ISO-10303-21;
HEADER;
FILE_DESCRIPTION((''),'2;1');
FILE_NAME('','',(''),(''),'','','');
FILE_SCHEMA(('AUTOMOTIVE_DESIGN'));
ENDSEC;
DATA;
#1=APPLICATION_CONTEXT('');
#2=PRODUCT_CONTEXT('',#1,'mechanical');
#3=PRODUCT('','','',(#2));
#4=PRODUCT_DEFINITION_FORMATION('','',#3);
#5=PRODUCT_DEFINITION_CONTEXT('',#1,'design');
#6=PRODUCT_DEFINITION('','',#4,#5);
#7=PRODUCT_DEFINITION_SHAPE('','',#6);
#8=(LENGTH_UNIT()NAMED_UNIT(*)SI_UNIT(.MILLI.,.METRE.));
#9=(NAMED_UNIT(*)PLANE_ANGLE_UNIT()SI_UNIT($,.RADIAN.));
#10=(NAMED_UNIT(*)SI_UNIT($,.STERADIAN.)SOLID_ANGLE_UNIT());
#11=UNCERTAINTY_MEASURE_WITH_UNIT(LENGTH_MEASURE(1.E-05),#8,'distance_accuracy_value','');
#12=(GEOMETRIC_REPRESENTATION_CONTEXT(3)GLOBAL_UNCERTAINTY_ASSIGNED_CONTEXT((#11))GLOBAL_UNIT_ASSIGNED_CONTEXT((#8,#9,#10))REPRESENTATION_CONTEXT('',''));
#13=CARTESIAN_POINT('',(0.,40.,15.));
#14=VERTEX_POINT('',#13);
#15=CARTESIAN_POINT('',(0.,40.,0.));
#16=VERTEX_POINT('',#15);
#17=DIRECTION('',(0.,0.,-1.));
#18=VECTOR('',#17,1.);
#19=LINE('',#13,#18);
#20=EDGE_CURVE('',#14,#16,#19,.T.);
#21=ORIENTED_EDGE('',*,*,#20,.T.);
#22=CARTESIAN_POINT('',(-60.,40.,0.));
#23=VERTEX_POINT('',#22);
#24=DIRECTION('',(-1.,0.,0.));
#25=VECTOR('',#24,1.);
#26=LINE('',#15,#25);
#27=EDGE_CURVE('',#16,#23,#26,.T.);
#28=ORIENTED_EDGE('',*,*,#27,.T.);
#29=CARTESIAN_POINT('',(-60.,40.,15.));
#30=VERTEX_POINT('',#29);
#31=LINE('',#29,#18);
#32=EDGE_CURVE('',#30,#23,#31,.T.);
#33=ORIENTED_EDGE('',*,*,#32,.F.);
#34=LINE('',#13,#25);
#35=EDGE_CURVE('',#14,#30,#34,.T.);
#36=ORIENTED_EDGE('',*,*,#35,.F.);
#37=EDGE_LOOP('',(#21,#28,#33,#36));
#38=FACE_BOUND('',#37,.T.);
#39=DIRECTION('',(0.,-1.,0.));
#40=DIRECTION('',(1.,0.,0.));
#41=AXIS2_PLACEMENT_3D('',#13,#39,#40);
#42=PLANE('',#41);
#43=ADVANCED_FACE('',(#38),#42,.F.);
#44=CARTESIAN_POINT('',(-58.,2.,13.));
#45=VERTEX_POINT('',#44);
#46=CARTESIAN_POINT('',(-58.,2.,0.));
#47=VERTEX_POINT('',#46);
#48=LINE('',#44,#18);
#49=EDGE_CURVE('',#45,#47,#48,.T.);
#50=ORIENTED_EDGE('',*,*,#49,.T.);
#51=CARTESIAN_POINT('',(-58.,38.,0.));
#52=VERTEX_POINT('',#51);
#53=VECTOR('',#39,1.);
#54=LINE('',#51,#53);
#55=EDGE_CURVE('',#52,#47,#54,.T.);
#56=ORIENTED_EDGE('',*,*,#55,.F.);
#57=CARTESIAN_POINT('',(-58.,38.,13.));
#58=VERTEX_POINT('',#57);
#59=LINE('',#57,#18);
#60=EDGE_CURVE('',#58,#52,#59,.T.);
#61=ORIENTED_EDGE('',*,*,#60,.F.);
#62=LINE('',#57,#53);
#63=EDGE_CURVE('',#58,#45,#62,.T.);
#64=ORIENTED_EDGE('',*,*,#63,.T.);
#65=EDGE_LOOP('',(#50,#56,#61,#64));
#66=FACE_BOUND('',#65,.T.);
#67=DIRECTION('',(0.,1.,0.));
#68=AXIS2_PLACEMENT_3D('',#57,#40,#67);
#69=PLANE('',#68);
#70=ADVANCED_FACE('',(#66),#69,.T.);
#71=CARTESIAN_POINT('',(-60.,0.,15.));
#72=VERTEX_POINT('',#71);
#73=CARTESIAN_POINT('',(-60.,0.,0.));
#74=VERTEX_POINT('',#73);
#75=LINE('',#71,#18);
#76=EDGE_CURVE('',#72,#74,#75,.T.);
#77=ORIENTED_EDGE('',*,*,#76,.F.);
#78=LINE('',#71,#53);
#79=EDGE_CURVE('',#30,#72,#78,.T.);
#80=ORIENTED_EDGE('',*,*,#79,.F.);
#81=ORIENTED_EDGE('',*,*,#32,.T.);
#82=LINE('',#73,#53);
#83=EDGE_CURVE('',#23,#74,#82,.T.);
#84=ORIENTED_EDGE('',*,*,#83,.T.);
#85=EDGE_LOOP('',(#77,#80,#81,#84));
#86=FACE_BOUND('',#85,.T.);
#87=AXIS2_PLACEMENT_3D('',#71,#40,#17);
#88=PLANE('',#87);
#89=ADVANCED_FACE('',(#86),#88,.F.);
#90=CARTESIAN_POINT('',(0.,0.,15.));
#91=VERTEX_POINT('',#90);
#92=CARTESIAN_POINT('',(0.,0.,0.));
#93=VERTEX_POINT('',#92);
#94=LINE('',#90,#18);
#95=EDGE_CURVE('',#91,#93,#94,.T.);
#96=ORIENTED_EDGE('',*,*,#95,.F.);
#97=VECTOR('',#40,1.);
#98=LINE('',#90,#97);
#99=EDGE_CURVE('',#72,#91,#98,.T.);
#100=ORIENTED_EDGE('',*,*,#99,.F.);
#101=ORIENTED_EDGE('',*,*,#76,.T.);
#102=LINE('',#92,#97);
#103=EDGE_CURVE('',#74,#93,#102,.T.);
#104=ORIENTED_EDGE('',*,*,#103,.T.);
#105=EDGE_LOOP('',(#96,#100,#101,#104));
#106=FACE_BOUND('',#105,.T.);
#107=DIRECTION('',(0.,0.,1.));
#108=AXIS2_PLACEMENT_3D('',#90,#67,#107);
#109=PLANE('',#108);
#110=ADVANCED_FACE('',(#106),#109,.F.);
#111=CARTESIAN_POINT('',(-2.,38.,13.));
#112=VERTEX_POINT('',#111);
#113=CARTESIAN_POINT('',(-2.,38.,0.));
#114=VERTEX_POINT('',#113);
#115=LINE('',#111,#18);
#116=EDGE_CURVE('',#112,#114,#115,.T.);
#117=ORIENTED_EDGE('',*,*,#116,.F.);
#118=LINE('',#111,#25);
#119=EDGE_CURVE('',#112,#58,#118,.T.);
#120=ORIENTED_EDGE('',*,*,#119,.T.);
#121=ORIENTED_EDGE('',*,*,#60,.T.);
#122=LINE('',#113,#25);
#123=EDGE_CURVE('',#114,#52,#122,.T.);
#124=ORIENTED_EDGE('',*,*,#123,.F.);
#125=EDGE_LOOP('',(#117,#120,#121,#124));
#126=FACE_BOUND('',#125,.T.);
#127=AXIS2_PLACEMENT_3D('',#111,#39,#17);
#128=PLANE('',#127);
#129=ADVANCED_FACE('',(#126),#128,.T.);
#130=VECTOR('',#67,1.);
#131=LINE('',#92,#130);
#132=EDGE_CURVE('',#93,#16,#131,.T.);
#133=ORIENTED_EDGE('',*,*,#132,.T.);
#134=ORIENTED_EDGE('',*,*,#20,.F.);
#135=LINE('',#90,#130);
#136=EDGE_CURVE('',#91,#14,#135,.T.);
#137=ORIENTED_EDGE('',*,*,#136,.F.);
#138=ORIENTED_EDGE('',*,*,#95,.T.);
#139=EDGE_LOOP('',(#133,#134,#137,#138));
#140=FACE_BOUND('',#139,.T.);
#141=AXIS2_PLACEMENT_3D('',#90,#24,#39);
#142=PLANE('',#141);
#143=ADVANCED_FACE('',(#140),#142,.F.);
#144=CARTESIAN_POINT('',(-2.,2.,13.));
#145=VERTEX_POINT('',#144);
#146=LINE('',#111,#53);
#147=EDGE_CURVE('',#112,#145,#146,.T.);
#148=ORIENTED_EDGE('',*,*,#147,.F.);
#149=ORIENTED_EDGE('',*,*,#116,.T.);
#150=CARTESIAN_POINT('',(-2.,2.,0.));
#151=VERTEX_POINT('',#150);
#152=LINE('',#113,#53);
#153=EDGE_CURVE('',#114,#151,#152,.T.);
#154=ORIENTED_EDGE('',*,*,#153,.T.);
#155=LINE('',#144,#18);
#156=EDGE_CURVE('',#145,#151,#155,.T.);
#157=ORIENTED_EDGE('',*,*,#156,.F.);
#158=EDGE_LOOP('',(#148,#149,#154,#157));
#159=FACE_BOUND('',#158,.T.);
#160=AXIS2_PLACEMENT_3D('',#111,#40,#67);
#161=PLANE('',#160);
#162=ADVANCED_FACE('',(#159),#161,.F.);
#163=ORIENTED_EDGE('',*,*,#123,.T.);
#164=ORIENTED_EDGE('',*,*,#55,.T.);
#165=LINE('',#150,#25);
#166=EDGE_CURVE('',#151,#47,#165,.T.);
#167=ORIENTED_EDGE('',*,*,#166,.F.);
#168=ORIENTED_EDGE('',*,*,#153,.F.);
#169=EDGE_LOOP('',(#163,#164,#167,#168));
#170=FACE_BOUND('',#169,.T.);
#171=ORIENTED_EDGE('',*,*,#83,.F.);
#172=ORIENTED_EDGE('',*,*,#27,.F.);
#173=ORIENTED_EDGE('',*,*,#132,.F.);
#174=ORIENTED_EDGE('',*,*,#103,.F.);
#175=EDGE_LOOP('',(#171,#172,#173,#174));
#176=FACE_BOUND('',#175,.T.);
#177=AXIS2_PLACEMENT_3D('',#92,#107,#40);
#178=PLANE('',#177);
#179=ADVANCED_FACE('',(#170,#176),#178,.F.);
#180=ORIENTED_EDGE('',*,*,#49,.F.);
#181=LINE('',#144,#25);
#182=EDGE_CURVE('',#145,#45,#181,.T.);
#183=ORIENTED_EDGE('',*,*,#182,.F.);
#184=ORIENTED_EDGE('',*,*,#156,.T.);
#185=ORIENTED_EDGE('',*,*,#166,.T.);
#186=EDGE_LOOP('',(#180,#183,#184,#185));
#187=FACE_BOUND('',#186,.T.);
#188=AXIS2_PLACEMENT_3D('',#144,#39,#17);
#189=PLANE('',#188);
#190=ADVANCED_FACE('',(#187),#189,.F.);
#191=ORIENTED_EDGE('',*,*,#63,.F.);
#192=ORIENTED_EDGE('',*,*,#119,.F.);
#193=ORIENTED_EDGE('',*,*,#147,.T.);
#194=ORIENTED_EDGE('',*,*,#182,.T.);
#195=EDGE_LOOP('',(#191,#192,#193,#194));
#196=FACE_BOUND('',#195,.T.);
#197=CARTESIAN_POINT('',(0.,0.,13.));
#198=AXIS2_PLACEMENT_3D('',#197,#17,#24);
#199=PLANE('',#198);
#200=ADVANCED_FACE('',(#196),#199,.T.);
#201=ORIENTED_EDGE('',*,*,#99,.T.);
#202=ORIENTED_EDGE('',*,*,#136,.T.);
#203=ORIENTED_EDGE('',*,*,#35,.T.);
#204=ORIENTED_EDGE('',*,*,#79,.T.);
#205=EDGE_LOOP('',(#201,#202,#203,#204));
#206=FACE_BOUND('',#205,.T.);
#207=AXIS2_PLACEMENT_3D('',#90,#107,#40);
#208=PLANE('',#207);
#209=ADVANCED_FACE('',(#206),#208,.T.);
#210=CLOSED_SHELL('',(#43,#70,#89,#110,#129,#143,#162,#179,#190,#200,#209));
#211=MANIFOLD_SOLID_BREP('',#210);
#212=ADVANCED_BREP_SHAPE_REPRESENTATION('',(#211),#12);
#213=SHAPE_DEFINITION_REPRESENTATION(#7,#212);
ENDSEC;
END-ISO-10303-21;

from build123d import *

# Parameters (mm, degrees)
SKETCH_1_W          = 60
SKETCH_1_H          = 40
EXTRUDE_1_DEPTH     = 15
SKETCH_2_W          = 56
SKETCH_2_H          = 36
CUT_EXTRUDE_1_DEPTH = 13


with BuildPart() as part:
    # 草圖1 → 填料-伸長1 (new body)
    with BuildSketch(Plane.XY):
        with Locations((-30, 20)):
            Rectangle(SKETCH_1_W, SKETCH_1_H)
    extrude(amount=EXTRUDE_1_DEPTH)

    # 草圖2 → 除料-伸長1 (cut)
    with BuildSketch(Plane(origin=(0, 0, 0), x_dir=(-1, 0, 0), z_dir=(0, 0, -1))):
        with Locations((30, 20)):
            Rectangle(SKETCH_2_W, SKETCH_2_H)
    extrude(amount=-CUT_EXTRUDE_1_DEPTH, mode=Mode.SUBTRACT)


solid = part.part
